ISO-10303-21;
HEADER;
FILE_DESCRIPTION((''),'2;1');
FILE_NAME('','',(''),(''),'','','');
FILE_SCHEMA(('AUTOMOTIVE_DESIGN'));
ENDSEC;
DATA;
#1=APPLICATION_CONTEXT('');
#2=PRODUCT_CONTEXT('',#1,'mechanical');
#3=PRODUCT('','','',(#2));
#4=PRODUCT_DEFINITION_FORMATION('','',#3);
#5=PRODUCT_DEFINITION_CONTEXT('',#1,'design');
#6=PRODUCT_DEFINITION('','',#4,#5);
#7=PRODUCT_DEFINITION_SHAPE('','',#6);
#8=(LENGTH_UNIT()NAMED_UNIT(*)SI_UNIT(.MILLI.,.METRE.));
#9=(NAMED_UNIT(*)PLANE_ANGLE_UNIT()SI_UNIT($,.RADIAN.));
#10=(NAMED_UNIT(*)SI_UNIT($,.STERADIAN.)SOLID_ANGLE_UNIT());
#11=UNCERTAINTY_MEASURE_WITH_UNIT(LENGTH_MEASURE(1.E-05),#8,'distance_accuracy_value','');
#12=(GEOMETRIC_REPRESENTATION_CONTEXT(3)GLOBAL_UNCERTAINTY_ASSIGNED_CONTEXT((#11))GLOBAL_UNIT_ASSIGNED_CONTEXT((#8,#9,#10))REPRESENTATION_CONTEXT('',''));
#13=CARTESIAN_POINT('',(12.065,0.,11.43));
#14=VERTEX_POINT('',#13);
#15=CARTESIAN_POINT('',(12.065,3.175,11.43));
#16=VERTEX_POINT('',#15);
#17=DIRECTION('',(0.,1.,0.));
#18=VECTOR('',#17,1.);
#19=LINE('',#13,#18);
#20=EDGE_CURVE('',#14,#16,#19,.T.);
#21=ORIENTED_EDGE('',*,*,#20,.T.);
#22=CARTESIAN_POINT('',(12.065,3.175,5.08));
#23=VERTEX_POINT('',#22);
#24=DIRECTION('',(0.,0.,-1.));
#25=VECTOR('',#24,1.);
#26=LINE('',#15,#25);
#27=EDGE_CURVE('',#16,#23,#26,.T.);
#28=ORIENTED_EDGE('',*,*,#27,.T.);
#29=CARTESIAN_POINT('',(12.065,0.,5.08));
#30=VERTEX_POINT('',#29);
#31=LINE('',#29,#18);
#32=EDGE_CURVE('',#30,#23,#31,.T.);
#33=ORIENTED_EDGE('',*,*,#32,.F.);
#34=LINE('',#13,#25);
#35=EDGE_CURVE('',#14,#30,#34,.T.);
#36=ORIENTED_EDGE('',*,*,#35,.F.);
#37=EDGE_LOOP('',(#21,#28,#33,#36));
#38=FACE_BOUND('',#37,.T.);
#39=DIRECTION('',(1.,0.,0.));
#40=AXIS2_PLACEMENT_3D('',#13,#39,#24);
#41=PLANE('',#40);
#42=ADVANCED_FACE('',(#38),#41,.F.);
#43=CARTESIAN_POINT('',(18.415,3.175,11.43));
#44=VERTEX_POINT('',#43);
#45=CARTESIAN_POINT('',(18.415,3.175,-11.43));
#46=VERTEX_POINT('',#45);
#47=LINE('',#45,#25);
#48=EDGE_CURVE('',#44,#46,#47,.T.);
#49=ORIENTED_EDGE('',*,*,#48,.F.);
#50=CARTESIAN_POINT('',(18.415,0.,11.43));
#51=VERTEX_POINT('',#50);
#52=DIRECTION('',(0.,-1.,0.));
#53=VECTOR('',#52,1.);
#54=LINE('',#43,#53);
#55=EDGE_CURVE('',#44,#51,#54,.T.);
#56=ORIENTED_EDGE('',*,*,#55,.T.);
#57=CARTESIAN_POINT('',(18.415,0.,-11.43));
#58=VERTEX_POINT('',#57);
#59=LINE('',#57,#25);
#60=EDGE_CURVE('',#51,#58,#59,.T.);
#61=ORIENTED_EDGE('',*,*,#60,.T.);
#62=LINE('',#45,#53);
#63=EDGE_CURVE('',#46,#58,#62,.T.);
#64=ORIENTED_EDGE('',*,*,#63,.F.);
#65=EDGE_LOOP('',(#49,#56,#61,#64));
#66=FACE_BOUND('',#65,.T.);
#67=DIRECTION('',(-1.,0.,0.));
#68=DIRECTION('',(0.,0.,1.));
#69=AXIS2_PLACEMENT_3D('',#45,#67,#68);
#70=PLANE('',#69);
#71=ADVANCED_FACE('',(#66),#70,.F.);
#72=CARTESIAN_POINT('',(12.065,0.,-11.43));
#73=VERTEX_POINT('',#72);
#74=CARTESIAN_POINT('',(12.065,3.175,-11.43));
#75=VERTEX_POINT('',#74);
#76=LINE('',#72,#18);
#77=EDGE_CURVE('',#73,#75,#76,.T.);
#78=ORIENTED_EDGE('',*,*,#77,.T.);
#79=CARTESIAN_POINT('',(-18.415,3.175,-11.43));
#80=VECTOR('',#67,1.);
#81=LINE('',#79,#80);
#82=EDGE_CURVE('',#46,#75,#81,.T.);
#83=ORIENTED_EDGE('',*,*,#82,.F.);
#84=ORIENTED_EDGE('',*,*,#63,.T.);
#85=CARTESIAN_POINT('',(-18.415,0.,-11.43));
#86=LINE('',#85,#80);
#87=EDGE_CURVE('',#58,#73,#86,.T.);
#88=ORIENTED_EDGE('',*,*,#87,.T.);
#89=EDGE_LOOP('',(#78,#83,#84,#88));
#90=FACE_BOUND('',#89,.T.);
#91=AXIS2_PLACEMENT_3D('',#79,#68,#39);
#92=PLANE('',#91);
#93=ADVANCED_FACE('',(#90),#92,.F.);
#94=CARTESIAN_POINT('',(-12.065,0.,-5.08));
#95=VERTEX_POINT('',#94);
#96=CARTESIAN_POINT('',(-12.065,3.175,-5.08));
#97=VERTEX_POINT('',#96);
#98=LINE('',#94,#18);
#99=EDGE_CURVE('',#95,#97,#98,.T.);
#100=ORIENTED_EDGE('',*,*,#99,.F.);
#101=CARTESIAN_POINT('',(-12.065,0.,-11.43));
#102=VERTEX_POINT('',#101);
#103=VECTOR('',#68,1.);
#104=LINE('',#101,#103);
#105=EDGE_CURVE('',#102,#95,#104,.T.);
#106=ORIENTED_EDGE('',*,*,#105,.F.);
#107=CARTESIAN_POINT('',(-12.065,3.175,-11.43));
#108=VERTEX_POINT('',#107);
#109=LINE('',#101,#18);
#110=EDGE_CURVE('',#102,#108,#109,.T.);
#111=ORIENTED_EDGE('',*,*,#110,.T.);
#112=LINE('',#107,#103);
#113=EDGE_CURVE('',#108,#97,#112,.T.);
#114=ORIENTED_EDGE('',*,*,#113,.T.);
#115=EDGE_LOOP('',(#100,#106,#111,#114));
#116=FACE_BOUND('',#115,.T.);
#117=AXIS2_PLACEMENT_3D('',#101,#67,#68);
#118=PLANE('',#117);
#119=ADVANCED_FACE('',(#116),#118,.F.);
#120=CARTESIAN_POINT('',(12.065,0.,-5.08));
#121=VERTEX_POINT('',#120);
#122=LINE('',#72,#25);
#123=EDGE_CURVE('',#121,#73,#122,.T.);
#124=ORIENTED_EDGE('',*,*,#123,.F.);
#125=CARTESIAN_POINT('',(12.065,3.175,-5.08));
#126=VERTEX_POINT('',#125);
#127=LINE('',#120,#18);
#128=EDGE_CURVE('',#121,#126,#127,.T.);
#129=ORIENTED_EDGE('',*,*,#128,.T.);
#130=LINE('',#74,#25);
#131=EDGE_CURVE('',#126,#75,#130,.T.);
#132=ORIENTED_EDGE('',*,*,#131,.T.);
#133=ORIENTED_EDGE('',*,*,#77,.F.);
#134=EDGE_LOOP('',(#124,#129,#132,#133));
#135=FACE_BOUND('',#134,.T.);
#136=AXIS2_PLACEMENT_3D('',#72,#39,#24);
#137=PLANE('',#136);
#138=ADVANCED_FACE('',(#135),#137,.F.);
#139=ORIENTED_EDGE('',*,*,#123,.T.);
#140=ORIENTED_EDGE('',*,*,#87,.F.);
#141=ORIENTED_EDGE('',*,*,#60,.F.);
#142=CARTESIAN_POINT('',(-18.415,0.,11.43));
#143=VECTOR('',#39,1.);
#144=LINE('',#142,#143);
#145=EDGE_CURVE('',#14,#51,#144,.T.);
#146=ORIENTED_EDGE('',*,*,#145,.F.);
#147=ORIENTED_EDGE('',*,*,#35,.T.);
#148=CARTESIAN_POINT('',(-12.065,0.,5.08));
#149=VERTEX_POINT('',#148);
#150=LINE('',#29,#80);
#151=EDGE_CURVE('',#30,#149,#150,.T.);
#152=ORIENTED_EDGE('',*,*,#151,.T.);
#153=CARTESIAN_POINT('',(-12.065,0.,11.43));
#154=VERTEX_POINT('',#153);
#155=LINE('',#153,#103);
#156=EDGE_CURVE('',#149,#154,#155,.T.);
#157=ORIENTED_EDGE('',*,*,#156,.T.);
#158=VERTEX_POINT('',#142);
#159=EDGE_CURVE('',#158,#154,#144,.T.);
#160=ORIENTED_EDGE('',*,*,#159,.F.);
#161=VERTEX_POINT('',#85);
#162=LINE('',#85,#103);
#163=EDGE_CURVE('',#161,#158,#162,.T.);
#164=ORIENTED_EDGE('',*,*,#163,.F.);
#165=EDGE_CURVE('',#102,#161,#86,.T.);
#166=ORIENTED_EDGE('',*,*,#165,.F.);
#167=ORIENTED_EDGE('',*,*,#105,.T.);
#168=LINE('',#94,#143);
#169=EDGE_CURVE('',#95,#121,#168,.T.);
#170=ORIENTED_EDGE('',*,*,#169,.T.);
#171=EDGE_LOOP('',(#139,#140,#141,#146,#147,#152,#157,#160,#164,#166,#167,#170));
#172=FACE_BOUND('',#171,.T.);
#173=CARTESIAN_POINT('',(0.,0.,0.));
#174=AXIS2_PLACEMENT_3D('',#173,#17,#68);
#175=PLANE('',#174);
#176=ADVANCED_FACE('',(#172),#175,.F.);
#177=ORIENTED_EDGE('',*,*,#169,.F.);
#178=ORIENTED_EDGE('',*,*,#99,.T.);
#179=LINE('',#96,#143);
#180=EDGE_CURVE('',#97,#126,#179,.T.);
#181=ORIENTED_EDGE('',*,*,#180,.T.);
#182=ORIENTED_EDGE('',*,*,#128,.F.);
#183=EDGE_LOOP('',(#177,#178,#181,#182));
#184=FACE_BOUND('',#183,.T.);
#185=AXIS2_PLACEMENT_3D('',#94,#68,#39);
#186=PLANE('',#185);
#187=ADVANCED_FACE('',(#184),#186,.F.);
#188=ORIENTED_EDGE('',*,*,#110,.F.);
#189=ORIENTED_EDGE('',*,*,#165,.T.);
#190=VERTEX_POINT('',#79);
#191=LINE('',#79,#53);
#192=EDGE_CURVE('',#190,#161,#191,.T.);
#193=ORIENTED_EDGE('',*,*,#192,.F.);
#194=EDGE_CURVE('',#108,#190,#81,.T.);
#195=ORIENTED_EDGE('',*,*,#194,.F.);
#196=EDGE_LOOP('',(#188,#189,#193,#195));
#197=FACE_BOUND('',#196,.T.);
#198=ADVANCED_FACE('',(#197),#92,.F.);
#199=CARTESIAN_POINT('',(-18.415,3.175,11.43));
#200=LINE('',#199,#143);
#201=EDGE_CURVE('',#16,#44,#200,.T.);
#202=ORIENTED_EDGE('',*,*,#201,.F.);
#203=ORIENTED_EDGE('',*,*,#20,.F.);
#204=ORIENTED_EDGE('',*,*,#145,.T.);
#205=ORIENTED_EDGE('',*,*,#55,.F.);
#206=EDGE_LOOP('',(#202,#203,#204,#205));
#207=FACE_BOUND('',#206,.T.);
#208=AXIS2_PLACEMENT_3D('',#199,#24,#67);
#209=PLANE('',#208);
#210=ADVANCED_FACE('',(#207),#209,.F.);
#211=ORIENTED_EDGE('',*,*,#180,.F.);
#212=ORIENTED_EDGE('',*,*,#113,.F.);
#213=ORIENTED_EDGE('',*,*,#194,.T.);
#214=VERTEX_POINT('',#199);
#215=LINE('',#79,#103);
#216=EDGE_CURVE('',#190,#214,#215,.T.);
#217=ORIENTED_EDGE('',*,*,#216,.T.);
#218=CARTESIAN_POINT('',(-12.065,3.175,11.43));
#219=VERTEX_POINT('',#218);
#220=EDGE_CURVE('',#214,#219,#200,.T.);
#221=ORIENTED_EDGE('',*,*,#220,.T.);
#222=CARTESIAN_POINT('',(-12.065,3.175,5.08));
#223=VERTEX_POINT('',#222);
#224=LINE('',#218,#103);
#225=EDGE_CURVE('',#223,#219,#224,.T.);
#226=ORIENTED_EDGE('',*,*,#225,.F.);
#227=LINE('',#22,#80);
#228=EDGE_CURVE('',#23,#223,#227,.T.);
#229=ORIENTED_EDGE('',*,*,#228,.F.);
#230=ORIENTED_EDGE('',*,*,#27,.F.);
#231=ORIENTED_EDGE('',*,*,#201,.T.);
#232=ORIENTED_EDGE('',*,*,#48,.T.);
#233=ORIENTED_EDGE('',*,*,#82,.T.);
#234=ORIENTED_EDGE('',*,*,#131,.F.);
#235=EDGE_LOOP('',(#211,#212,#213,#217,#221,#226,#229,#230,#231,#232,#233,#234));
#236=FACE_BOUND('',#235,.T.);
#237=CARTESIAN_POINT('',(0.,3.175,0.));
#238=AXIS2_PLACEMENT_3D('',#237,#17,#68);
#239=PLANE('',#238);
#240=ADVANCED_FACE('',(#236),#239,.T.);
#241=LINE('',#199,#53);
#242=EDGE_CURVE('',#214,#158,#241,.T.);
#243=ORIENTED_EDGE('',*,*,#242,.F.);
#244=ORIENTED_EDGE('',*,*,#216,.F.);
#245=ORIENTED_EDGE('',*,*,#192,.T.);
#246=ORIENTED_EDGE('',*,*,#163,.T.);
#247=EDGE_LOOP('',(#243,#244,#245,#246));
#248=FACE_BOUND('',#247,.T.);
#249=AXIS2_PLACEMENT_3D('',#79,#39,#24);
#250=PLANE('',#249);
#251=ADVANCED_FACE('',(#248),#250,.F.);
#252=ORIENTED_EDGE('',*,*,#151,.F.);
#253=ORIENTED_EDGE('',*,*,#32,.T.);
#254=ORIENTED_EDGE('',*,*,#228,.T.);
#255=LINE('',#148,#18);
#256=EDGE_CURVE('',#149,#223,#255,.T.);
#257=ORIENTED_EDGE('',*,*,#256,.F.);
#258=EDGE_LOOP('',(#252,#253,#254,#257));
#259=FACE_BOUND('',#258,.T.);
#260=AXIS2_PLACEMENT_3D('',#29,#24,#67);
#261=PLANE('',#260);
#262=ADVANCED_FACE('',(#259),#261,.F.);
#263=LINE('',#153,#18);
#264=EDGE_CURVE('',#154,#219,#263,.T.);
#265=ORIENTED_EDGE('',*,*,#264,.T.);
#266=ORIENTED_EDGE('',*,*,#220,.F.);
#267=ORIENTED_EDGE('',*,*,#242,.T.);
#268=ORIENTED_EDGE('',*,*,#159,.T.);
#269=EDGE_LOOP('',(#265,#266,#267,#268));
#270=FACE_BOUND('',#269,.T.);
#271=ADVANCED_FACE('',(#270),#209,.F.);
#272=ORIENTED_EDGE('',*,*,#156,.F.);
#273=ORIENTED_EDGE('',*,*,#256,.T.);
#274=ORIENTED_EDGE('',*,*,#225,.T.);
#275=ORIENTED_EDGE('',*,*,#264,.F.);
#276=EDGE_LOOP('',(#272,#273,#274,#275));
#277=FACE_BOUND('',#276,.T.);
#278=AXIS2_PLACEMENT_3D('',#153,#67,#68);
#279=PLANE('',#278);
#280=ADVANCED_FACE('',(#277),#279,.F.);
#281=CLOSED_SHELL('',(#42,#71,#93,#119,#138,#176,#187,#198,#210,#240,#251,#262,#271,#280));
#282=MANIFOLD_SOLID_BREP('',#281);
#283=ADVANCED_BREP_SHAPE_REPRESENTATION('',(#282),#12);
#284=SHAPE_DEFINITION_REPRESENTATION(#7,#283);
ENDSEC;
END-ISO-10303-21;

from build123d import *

# Parameters (mm, degrees)
SKETCH1_W           = 36.83
SKETCH1_H           = 22.86
BOSS_EXTRUDE1_DEPTH = 3.175
SKETCH2_W           = 24.13
SKETCH2_H           = 6.35
CUT_EXTRUDE1_DEPTH  = 22.905199155


with BuildPart() as part:
    # Sketch1 → Boss-Extrude1 (new body)
    with BuildSketch(Plane(origin=(0, 0, 0), x_dir=(1, 0, 0), z_dir=(0, 1, 0))):
        Rectangle(SKETCH1_W, SKETCH1_H)
    extrude(amount=BOSS_EXTRUDE1_DEPTH)

    # Sketch2 → Cut-Extrude1 (cut, through all)
    with BuildSketch(Plane(origin=(0, 3.175, 0), x_dir=(1, 0, 0), z_dir=(0, 1, 0))):
        with Locations((0, 8.255)):
            Rectangle(SKETCH2_W, SKETCH2_H)
        with Locations((0, -8.255)):
            Rectangle(SKETCH2_W, SKETCH2_H)
    extrude(amount=-CUT_EXTRUDE1_DEPTH, mode=Mode.SUBTRACT)


solid = part.part
